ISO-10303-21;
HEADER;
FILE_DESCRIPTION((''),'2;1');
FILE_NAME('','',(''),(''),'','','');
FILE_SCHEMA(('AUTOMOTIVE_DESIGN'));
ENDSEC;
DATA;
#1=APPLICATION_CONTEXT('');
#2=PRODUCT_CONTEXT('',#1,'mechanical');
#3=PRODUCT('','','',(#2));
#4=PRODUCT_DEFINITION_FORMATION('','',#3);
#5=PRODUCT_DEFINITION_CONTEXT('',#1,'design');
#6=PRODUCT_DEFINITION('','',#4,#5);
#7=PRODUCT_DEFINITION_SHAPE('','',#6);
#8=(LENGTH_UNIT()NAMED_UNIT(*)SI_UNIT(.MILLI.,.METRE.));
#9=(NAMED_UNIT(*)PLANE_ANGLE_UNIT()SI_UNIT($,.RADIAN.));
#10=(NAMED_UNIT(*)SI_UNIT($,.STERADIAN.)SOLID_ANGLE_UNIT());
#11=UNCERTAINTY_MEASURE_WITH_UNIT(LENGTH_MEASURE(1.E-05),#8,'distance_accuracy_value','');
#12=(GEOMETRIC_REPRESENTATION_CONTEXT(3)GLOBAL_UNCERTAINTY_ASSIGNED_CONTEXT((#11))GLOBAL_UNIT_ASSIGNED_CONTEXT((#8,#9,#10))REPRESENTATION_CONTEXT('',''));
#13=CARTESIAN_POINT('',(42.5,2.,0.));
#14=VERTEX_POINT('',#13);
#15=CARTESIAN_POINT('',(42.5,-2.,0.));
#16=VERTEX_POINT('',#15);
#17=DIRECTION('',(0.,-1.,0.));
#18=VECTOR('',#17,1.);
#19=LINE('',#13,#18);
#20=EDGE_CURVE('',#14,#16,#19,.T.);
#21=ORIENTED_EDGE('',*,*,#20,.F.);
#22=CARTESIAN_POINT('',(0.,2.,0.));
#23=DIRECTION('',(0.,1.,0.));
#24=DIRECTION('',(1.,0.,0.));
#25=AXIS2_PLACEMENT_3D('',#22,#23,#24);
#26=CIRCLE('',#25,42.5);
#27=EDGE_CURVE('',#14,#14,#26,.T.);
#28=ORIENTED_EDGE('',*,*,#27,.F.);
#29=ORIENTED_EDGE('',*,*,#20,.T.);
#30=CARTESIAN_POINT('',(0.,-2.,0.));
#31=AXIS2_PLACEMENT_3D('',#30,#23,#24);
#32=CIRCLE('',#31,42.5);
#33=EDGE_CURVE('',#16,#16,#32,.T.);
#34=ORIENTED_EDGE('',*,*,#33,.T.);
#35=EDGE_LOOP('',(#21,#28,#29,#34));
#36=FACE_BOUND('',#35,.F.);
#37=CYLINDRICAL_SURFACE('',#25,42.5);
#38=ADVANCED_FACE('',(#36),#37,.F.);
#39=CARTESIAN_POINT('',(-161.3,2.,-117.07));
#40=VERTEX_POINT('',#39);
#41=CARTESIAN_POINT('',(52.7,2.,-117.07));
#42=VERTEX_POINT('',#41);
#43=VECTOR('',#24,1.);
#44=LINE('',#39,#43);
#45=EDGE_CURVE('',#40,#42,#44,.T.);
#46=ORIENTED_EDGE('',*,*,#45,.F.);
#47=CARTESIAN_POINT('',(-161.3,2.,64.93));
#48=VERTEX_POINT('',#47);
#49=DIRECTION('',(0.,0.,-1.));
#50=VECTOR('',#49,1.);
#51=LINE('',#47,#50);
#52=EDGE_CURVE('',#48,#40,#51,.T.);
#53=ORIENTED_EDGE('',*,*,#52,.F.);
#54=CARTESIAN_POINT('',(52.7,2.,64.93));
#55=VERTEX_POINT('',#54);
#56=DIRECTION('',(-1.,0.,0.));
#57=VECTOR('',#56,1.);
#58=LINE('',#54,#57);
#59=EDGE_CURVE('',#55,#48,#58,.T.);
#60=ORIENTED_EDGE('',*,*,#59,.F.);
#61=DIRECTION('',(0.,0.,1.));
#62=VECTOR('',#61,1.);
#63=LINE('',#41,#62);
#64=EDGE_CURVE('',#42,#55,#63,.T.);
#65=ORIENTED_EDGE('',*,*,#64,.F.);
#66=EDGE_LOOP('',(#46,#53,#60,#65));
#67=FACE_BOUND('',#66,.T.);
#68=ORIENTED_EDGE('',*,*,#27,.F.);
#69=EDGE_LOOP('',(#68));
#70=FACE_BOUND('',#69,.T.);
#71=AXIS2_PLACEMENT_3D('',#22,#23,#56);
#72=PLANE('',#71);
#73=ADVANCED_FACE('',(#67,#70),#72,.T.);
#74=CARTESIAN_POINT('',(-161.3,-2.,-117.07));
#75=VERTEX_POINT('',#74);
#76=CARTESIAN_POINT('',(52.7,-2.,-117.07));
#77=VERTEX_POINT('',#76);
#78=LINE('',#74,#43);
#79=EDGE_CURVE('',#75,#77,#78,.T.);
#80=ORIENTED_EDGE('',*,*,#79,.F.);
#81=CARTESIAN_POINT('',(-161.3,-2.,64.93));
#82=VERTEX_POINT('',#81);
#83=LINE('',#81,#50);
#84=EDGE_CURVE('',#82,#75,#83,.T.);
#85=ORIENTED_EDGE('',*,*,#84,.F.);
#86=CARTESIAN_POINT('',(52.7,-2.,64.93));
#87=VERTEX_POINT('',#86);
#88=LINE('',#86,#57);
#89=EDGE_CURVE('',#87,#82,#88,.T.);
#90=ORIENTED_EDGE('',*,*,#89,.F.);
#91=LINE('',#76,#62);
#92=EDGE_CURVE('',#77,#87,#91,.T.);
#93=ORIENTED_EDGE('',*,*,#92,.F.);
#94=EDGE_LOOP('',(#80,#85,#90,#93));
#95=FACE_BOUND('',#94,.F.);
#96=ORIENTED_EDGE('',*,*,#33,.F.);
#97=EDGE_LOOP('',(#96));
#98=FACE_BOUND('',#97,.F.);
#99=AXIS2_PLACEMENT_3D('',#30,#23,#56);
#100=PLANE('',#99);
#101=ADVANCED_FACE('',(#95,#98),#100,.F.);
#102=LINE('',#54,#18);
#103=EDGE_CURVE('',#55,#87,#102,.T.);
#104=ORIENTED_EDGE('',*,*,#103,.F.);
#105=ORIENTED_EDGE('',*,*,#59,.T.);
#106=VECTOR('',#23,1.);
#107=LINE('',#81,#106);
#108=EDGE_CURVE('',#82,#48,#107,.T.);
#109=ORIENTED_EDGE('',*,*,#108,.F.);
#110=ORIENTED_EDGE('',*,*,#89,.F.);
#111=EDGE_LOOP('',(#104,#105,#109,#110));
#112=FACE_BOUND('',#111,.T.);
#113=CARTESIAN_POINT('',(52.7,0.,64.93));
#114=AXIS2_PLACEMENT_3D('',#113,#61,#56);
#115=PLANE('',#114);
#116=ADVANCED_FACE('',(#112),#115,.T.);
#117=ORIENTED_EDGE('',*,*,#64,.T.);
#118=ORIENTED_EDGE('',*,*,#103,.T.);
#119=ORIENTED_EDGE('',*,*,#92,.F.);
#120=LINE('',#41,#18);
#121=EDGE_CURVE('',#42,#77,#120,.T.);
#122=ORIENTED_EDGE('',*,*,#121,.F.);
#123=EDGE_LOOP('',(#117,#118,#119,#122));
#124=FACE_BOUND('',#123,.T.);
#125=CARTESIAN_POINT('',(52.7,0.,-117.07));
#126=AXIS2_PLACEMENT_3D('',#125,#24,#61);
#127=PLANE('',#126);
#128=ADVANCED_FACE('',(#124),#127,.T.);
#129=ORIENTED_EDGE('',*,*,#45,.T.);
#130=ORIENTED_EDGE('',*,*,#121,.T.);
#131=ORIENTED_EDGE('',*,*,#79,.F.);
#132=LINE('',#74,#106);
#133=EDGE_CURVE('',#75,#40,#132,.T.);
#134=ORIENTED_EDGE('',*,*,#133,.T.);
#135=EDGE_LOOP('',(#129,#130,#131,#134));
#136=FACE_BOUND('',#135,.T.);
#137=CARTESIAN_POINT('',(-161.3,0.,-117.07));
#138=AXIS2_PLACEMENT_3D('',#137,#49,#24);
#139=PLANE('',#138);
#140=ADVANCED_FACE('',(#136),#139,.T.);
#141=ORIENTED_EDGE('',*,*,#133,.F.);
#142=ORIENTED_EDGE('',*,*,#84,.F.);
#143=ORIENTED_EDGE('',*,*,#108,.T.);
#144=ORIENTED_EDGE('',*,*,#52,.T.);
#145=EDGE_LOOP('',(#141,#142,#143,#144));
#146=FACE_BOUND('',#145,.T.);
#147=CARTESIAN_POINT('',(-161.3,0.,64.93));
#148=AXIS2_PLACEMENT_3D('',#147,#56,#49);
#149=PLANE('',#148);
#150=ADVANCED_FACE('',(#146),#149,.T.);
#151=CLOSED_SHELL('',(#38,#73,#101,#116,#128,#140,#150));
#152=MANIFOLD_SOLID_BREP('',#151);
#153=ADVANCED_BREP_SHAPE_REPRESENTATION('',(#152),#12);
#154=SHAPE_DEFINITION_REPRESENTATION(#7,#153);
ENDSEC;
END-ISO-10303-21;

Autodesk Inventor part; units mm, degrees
ref_plane "YZ Plane" through (0, 0, 0) normal (1, 0, 0) x (0, 1, 0)
ref_plane "XY Plane" through (0, 0, 0) normal (0, 0, 1) x (1, 0, 0)
ref_plane "Work Plane1" through (0, 35, 0) normal (0, 1, 0) x (-1, 0, 0)
ref_plane "Work Plane2" through (0, -35, 0) normal (0, 1, 0) x (-1, 0, 0)
sketch "Sketch3" plane through (0, 0, 0) normal (0, 1, 0) x (-1, 0, 0)
  line L0 (161.3, -117.07) -> (-52.7, -117.07)
  line L1 (-52.7, -117.07) -> (-52.7, 64.93)
  line L2 (-52.7, 64.93) -> (161.3, 64.93)
  line L3 (161.3, 64.93) -> (161.3, -117.07)
  circle A0 centre (0, 0) radius 37.5
  dimension "d8" = 182
  dimension "d9" = 214
  dimension "d10" = 52.7
  dimension "d11" = 64.93
  dimension "d14" = 75
extrude "Extrusion1" add sketch "Sketch3" along normal mid plane 4
sketch "Sketch4" plane through (0, 35, 0) normal (0, 1, 0) x (-1, 0, 0)
  circle A0 centre (0, 0) radius 37.5
  circle A1 centre (0, 0) radius 42.5
  dimension "d15" = 75
  dimension "d16" = 85
extrude "Extrusion2" add sketch "Sketch4" against normal up to surface (70 mm away)
sketch "Sketch5" plane through (0, -35, 0) normal (0, 1, 0) x (-1, 0, 0)
  circle A0 centre (0, 0) radius 37.5
  circle A1 centre (0, 0) radius 20
  dimension "d19" = 75
  dimension "d20" = 40
extrude "Extrusion3" add sketch "Sketch5" along normal blind 3
sketch "Sketch6" plane through (0, 0, 0) normal (0, 0, 1) x (1, 0, 0)
  line L0 (-37.5, -32) -> (37.5, -32) projected
  line L1 (-42.5, -35) -> (42.5, -35) projected
  arc A0 (-24.5305, -32) -> (-20, -35) centre (-2.9998, -4.406) ccw
  line L2 (-24.5305, -32) -> (-20, -32)
  line L3 (-20, -35) -> (-20, -32)
  line L4 (-20, -32) -> (-20, -35) projected
  line L5 (-24.5305, -32) -> (-20, -32)
  line L6 (0, -42.1057) -> (0, 7.0176) projected
  point P0 (0, 0)
  dimension "d23" = 35
  dimension "d24" = 4.5305
revolve "Revolution1" cut sketch "Sketch6" angle 360 about axis through (0, -10, 0) along (0, 1, 0) contours L0 L3 A0
sketch "Sketch7" plane through (0, 2, 0) normal (0, 1, 0) x (1, 0, 0)
  circle A0 centre (0, 0) radius 42.5
  circle A1 centre (0, 0) radius 42.5 projected
  dimension "d26" = 85
extrude "Extrusion4" cut sketch "Sketch7" along normal mid plane 80
properties part number "tapa_lanzador_pelota"
